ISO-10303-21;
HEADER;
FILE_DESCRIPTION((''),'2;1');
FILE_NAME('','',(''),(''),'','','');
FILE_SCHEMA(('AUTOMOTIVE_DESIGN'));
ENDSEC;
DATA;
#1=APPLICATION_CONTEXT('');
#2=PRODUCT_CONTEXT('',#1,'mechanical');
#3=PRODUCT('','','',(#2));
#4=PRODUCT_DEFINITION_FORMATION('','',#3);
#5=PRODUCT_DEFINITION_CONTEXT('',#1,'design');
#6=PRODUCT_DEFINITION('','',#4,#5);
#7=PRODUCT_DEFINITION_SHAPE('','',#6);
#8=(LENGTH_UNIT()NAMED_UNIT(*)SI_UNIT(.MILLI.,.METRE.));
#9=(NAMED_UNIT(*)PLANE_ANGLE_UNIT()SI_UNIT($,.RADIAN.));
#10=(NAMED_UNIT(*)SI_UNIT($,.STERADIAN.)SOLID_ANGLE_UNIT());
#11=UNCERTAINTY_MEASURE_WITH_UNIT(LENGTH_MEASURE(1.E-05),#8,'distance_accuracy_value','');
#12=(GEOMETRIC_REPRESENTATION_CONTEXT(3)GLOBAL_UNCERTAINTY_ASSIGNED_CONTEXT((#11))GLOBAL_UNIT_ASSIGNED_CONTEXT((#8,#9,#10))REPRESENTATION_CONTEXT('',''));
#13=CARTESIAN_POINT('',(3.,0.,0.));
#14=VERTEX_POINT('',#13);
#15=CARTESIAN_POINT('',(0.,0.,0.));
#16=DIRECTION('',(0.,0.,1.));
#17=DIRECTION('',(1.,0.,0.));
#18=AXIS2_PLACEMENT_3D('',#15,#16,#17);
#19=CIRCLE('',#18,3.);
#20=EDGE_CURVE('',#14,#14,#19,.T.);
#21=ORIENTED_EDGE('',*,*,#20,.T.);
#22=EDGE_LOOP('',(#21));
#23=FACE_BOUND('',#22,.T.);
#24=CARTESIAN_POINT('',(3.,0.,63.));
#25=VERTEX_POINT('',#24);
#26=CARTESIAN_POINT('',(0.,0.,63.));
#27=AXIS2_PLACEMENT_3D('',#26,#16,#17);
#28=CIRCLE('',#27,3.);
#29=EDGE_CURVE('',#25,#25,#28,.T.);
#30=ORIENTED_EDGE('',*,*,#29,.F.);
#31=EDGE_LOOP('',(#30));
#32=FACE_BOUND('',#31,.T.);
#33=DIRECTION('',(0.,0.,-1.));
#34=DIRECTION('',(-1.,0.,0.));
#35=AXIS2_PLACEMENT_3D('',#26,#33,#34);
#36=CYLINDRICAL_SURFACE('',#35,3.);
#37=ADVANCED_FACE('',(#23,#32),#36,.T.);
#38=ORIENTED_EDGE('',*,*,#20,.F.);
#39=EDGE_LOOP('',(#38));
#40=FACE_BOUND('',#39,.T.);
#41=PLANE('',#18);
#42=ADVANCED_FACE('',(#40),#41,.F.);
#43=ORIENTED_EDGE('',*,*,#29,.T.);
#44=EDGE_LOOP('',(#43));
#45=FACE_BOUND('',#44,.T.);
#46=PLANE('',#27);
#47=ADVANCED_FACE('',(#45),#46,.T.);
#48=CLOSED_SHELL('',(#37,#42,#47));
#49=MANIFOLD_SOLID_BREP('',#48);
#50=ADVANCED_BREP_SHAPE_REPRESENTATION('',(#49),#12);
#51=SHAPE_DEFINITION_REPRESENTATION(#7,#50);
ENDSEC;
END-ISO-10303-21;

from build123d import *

# Parameters (mm, degrees)
SKETCH1_R           = 3
BOSS_EXTRUDE1_DEPTH = 63


with BuildPart() as part:
    # Sketch1 → Boss-Extrude1 (new body)
    with BuildSketch(Plane.XY):
        Circle(SKETCH1_R)
    extrude(amount=BOSS_EXTRUDE1_DEPTH)


solid = part.part
